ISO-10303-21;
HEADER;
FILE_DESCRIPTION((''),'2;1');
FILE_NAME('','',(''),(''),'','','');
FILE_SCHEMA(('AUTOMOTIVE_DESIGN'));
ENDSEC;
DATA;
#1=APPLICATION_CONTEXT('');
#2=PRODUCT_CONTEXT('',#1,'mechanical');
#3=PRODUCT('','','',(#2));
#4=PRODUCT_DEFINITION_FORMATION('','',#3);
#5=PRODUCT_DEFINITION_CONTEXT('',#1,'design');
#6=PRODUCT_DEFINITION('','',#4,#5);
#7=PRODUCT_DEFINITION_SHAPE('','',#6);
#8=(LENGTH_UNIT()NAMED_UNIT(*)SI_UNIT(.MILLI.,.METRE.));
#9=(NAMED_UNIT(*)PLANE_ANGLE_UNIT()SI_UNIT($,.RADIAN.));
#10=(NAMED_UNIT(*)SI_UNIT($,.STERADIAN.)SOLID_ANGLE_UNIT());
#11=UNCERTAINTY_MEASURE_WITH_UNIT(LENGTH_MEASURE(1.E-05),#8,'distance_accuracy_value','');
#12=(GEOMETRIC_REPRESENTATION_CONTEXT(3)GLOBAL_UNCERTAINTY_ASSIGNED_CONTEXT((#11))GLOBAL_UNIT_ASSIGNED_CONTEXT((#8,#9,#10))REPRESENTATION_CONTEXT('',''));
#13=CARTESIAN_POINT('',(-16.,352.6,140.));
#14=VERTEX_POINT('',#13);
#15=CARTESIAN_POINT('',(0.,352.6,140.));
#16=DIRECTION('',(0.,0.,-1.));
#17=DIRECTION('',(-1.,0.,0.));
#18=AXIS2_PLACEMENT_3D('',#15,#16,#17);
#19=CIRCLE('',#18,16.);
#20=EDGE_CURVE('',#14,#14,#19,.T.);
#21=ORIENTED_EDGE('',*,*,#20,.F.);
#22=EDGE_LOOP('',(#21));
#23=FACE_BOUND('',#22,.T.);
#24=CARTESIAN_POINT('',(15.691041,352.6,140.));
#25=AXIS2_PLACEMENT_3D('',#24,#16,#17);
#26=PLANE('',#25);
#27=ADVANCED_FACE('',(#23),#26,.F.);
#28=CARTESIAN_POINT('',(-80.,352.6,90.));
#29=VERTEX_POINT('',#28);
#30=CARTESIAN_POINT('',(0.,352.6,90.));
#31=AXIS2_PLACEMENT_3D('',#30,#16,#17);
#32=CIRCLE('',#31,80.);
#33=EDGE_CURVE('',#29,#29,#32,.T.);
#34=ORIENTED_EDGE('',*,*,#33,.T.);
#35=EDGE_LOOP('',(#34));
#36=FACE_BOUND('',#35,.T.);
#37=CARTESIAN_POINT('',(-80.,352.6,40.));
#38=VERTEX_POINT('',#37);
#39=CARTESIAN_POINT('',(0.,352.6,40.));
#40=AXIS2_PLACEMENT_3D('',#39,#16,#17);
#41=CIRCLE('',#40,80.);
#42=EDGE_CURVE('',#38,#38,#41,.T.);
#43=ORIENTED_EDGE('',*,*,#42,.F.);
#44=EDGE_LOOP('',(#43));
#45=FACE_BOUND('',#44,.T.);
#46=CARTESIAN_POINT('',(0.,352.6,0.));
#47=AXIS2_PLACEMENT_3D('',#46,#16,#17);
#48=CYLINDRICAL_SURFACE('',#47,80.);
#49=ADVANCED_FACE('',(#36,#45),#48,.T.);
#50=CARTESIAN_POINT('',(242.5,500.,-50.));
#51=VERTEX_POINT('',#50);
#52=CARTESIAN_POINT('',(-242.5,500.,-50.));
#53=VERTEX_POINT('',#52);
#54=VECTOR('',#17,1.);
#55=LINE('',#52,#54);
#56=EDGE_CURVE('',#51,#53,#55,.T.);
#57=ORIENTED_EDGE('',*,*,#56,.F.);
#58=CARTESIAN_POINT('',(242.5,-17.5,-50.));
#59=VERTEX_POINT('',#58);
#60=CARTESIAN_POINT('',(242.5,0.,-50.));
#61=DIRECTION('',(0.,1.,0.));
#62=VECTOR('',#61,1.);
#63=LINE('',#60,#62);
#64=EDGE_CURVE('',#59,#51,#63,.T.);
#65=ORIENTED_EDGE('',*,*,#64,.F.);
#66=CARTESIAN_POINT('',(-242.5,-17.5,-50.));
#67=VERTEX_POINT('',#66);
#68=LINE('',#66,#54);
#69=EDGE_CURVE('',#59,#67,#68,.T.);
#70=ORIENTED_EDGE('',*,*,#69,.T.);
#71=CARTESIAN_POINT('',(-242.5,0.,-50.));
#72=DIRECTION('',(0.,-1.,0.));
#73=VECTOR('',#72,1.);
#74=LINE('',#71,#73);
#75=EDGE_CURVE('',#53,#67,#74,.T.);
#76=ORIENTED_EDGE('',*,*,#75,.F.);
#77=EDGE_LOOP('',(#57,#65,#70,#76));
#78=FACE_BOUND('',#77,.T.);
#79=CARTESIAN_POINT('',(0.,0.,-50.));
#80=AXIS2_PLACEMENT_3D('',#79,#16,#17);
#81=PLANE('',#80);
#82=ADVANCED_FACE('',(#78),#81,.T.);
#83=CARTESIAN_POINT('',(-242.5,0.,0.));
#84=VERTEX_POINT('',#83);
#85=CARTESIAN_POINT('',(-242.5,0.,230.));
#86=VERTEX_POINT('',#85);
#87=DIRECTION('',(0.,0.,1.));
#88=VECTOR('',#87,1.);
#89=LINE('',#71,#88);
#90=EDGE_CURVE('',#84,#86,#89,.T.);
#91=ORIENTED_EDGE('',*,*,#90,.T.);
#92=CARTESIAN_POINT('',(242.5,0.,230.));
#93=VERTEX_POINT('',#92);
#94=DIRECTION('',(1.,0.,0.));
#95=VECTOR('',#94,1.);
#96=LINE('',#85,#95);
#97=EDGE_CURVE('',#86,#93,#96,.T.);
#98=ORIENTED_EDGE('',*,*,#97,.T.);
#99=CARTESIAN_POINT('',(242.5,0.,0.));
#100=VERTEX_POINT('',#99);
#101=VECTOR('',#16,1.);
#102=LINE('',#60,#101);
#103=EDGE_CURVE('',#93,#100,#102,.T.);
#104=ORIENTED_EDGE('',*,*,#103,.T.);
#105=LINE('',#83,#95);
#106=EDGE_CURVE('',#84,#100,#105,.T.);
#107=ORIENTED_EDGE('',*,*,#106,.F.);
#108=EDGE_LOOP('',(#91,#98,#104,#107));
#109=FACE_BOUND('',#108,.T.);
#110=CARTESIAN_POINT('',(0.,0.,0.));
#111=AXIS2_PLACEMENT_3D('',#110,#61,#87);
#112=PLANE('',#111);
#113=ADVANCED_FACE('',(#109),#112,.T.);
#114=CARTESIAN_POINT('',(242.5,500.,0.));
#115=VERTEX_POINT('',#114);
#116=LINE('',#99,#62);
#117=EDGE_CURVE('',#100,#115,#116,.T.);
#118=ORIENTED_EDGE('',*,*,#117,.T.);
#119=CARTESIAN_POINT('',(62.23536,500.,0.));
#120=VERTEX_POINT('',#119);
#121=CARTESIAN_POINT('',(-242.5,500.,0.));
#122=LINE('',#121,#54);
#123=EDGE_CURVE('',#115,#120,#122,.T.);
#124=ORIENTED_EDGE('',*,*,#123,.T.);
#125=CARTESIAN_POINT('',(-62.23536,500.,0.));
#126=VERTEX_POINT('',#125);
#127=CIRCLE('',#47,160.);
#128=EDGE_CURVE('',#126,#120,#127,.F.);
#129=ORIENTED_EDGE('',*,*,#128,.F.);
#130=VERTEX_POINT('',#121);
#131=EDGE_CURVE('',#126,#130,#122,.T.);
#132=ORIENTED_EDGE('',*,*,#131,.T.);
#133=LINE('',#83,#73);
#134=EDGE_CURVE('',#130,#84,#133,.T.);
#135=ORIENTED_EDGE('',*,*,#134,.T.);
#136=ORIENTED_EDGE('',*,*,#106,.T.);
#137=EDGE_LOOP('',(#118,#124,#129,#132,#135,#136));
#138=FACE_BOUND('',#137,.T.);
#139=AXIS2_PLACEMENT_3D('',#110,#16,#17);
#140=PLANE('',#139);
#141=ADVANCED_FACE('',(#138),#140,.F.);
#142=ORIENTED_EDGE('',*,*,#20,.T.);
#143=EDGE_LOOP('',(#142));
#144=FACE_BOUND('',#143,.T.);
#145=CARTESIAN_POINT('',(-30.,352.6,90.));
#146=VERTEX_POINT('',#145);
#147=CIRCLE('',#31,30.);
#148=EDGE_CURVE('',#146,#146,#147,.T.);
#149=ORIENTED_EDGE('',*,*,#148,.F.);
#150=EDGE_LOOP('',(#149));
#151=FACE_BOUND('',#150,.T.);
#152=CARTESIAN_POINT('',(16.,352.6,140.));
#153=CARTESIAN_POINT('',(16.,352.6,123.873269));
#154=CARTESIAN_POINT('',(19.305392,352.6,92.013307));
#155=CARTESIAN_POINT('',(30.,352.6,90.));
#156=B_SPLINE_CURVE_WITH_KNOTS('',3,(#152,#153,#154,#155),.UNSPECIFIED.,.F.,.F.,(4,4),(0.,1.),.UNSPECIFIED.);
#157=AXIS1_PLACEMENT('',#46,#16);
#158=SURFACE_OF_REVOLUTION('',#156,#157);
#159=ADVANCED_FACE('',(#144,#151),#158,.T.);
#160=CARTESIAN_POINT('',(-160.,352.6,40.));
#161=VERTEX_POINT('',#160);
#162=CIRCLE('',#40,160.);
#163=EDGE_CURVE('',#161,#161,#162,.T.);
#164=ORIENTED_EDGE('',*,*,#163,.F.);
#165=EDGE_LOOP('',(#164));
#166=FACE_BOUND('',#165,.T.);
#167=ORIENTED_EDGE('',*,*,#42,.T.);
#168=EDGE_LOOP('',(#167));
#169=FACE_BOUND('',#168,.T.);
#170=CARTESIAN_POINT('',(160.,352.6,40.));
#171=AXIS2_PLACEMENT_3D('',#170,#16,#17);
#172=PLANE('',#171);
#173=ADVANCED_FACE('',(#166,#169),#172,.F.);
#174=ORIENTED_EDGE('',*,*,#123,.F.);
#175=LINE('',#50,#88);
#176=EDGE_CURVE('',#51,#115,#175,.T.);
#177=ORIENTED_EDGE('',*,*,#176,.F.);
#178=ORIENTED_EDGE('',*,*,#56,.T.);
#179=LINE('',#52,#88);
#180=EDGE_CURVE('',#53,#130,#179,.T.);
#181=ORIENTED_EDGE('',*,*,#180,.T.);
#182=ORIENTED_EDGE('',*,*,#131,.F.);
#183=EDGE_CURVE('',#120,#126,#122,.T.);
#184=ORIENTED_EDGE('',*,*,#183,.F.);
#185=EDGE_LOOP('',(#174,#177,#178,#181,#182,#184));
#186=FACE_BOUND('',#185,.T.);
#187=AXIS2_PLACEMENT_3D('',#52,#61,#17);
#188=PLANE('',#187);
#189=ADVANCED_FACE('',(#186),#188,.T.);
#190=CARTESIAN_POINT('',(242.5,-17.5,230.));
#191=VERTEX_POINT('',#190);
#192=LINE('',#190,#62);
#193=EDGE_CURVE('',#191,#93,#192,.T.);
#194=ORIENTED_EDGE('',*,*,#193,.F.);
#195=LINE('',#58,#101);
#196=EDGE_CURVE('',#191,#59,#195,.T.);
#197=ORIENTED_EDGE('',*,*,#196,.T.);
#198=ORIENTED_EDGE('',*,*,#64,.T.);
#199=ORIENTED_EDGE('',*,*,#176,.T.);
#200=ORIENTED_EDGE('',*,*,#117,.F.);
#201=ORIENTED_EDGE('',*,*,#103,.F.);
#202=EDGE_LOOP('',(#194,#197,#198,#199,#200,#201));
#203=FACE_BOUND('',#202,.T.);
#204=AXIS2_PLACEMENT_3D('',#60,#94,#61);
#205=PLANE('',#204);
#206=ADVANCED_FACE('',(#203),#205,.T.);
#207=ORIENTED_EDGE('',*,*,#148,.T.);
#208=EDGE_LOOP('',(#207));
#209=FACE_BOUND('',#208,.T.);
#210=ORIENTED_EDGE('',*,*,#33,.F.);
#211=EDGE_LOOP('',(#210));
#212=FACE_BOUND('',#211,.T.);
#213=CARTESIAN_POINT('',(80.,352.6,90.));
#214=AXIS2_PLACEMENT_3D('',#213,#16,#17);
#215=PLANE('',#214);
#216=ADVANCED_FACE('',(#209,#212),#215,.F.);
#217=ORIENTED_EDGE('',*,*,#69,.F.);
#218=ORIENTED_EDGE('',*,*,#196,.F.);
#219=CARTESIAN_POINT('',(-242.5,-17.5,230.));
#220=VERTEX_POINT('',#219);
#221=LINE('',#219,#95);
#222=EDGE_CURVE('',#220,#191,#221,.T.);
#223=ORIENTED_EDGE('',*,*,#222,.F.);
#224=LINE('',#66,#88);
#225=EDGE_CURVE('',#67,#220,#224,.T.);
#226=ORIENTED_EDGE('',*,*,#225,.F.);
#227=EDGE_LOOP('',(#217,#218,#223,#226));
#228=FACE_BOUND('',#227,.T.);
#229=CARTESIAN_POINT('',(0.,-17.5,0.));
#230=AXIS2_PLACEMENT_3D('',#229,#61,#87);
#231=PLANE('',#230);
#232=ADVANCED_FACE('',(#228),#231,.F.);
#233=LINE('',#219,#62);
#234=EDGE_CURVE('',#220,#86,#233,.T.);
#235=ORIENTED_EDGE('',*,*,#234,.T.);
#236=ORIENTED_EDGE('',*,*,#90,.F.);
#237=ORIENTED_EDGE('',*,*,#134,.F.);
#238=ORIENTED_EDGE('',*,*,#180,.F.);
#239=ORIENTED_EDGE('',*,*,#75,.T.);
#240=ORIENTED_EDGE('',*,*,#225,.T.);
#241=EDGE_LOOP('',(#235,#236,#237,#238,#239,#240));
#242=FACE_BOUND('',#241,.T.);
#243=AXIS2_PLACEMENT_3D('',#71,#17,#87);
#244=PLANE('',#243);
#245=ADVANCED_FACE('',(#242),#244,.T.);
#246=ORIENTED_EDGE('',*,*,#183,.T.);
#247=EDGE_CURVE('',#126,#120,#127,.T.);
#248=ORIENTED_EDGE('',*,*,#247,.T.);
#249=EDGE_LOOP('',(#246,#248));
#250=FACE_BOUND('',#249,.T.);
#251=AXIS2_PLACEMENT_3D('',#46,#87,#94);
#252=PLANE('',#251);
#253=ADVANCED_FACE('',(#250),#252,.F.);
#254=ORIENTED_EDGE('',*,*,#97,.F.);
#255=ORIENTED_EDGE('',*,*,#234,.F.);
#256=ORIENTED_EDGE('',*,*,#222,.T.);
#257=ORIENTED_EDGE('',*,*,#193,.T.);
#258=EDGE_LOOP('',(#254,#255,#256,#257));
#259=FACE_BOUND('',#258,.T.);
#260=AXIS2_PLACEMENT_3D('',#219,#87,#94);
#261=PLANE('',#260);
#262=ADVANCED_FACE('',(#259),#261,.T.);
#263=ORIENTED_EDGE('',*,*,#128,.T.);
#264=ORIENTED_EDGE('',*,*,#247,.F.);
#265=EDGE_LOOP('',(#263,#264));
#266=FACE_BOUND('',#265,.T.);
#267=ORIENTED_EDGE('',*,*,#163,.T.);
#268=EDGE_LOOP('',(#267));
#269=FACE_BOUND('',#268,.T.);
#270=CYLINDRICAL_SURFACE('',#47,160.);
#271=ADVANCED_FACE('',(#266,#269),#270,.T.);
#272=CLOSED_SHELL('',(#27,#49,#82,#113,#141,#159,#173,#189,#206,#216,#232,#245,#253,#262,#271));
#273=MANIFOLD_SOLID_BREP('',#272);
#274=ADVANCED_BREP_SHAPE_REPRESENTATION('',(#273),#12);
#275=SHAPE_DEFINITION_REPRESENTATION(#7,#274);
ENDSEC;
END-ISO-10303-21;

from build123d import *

# Parameters (mm, degrees)
SKETCH1_W           = 485
SKETCH1_H           = 500
BOSS_EXTRUDE1_DEPTH = 50
SKETCH2_W           = 485
SKETCH2_H           = 280
BOSS_EXTRUDE2_DEPTH = 17.5


with BuildPart() as part:
    # Sketch1 → Boss-Extrude1 (new body)
    with BuildSketch(Plane.XY):
        with Locations((0, 250)):
            Rectangle(SKETCH1_W, SKETCH1_H)
    extrude(amount=-BOSS_EXTRUDE1_DEPTH)

    # Sketch2 → Boss-Extrude2 (add)
    with BuildSketch(Plane(origin=(0, 0, 0), x_dir=(1, 0, 0), z_dir=(0, 1, 0))):
        with Locations((0, -90)):
            Rectangle(SKETCH2_W, SKETCH2_H)
    extrude(amount=-BOSS_EXTRUDE2_DEPTH)

    # Sketch6 → Revolve1 (revolve)
    with BuildSketch(Plane(origin=(0, 352.6, 0), x_dir=(1, 0, 0), z_dir=(0, 1, 0)), mode=Mode.PRIVATE) as revolve1_sk:
        with BuildLine():
            Line((0, 0), (160, 0))
            Line((160, 0), (160, -40))
            Line((160, -40), (80, -40))
            Line((80, -40), (80, -90))
            Line((80, -90), (30, -90))
            add(Edge.make_bspline(
                [(30, -90), (19.305392217, -92.013307308), (16, -123.873269223), (16, -140)],
                knots=[0, 0, 0, 0, 1, 1, 1, 1], degree=3))
            Line((16, -140), (15.691041026, -140))
            Line((15.691041026, -140), (0, -140))
            Line((0, -140), (0, 0))
        make_face()
    revolve(revolve1_sk.sketch.rotate(Axis((0, 352.6, 0), (0, 0, 1)), 180), axis=Axis((0, 352.6, 0), (0, 0, 1)))


solid = part.part
